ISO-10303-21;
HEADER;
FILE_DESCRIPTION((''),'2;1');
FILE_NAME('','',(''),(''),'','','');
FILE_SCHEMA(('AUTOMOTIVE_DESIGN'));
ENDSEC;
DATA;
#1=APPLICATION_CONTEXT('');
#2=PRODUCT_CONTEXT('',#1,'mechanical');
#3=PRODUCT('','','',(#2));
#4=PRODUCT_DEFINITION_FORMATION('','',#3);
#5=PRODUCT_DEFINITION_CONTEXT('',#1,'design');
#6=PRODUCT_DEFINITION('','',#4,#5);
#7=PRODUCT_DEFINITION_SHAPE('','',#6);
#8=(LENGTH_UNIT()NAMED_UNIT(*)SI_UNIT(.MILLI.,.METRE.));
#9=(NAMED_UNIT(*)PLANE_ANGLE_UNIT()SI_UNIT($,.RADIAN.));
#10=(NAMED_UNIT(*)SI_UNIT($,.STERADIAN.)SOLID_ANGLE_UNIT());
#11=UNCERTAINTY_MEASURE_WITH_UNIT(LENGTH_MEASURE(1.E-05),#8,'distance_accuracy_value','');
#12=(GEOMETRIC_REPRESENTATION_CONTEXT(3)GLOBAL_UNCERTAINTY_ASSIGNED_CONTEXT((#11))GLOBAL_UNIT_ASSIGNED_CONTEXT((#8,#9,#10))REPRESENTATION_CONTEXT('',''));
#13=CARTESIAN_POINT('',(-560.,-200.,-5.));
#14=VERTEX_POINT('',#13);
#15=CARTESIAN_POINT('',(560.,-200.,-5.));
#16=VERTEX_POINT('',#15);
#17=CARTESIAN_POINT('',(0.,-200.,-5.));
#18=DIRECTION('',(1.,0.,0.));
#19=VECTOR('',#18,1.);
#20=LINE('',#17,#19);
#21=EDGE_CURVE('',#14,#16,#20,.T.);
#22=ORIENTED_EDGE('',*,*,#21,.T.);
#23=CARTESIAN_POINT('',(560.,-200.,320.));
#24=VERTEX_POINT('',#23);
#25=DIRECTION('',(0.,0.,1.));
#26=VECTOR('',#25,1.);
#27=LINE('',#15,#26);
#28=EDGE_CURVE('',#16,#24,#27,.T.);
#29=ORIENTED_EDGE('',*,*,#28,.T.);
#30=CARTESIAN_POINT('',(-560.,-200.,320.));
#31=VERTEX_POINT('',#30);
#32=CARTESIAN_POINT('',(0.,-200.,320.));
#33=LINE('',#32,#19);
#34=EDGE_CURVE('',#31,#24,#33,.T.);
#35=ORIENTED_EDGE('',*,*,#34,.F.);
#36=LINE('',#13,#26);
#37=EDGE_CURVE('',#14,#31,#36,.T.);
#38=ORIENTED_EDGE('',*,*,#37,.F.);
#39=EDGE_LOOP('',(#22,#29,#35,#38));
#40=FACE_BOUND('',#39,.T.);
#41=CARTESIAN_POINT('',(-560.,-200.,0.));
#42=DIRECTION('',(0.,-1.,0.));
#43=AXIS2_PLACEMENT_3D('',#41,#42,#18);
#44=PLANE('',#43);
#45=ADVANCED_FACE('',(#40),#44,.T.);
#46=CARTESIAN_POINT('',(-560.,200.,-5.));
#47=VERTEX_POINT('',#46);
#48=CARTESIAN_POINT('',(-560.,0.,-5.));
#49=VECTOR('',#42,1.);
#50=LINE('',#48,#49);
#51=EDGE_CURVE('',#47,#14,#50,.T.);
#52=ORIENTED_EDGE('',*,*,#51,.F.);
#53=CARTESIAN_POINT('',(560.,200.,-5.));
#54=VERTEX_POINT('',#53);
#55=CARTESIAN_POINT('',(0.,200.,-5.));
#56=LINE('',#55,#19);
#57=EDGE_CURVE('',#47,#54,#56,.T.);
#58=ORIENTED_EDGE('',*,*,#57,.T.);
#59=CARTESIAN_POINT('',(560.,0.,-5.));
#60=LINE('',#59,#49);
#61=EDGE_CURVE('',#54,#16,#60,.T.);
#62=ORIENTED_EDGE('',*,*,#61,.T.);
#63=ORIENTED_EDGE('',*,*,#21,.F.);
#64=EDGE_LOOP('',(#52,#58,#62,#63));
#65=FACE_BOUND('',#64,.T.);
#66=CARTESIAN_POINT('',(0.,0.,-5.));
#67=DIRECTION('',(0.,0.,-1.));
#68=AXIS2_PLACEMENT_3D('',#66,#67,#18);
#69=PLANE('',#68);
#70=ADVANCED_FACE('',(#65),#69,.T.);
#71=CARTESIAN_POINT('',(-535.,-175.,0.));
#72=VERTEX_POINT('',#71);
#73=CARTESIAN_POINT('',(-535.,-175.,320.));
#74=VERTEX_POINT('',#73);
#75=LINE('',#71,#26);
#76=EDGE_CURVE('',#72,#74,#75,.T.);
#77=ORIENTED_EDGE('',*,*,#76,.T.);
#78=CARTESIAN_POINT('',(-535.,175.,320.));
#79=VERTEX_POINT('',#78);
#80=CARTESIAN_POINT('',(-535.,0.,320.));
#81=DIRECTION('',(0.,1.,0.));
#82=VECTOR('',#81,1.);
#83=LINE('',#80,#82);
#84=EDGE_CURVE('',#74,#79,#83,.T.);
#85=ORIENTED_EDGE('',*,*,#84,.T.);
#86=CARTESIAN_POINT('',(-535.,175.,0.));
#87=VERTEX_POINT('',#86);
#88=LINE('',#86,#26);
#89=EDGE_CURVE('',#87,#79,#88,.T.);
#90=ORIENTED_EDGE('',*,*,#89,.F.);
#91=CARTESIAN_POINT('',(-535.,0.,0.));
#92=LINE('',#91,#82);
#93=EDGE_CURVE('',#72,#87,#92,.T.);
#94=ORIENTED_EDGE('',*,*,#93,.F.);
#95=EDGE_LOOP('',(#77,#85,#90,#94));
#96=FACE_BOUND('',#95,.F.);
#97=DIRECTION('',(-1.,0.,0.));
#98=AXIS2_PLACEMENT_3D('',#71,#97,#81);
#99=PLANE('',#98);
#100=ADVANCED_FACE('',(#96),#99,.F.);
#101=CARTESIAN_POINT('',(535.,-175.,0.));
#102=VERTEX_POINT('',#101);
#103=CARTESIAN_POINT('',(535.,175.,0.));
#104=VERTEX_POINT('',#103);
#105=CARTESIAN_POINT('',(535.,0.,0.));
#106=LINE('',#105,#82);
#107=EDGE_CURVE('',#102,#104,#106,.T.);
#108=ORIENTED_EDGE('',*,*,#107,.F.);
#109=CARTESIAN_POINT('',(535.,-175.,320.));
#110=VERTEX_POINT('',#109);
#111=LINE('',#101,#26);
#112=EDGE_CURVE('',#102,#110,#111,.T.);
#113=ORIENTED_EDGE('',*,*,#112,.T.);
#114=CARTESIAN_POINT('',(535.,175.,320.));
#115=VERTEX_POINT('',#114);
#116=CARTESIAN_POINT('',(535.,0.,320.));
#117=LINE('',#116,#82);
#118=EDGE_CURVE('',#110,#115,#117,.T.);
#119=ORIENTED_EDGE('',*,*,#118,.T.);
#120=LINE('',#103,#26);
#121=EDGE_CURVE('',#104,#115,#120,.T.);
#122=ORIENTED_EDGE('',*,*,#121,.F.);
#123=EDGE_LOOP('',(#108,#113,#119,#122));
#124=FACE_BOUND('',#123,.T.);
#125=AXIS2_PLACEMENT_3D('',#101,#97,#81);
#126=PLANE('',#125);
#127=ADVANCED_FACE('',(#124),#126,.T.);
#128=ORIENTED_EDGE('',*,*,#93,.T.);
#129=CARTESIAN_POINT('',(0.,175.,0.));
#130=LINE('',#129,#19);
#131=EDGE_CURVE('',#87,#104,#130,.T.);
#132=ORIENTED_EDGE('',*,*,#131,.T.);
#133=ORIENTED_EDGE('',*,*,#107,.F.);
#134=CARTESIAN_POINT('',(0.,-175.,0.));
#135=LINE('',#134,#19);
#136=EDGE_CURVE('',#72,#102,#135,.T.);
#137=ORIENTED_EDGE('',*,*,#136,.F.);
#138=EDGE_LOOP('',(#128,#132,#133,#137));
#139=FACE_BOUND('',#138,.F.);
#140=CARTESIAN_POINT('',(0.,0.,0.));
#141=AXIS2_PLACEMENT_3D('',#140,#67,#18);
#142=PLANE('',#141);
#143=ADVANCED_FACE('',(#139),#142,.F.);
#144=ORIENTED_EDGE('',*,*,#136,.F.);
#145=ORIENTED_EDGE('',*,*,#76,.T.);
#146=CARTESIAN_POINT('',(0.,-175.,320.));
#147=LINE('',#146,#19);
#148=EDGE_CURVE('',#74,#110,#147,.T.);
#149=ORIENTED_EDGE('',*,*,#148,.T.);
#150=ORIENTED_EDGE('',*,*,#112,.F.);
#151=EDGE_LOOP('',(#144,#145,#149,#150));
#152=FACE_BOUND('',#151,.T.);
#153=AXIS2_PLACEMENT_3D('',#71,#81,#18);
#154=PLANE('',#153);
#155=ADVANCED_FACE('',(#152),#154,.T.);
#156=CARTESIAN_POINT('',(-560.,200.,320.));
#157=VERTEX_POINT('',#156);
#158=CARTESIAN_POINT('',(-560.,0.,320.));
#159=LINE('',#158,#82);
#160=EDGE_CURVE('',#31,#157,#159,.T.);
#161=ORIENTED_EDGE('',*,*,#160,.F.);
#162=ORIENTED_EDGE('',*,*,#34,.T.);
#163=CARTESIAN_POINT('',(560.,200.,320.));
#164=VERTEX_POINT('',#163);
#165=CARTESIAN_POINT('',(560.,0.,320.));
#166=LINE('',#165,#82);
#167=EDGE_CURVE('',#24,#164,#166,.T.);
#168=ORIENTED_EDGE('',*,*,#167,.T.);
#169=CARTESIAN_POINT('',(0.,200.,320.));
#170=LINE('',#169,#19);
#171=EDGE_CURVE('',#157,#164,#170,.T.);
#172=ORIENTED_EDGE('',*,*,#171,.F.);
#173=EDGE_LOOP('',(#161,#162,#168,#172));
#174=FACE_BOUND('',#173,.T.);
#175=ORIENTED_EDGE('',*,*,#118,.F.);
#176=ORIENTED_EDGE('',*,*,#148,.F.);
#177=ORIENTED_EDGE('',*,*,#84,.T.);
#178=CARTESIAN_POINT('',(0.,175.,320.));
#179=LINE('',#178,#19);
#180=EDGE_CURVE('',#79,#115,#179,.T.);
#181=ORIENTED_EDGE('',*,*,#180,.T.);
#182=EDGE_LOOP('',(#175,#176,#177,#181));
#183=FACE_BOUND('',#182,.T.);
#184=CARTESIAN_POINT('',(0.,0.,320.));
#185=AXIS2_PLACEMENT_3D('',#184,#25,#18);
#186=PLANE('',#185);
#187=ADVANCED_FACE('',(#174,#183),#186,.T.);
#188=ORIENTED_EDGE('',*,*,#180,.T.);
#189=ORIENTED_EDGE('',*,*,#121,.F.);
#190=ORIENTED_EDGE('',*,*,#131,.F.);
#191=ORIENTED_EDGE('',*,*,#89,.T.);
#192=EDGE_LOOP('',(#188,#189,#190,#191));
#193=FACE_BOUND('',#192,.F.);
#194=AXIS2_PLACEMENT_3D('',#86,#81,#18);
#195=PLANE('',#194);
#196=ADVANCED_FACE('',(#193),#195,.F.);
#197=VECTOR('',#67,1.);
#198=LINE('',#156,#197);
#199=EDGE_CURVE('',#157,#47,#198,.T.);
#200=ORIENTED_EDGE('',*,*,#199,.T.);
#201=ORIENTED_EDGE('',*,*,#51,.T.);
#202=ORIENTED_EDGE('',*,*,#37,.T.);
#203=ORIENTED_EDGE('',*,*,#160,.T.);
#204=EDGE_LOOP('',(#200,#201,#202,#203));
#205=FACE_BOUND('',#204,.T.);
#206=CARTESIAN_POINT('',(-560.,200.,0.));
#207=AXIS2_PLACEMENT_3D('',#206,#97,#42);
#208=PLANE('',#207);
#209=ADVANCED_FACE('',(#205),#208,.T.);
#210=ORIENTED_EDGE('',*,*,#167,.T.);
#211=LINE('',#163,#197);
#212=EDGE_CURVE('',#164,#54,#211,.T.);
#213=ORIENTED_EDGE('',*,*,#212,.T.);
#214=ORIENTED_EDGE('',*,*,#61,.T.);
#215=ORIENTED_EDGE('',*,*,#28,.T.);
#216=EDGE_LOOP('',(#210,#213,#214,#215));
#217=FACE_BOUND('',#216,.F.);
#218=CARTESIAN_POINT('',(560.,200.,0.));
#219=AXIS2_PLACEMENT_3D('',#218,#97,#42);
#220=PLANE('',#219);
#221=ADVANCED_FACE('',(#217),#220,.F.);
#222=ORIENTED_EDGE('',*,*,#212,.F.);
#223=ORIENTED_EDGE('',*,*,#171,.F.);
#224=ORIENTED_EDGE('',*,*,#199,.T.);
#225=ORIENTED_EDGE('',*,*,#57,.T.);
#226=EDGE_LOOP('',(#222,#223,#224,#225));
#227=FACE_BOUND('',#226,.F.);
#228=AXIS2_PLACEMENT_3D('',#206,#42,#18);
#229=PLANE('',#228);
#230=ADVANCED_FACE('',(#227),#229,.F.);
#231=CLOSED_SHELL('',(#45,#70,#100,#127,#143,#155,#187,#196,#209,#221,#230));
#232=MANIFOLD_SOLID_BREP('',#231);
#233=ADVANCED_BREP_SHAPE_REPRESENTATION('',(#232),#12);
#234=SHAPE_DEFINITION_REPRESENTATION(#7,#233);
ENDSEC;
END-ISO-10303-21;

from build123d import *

# Parameters (mm, degrees)
F0_W     = 1120
F0_H     = 400
F0_W_2   = 1070
F0_H_2   = 350
F1_DEPTH = 320
F2_W     = 1120
F2_H     = 400
F2_W_2   = 1070
F2_H_2   = 350
F3_DEPTH = 5


with BuildPart() as f1:
    # F0 (on Top) → F1 (new body)
    with BuildSketch(Plane.XY):
        Rectangle(F0_W, F0_H)
        Rectangle(F0_W_2, F0_H_2, mode=Mode.SUBTRACT)
    extrude(amount=F1_DEPTH)

    # F2 (on face) → F3 (join)
    with BuildSketch(Plane(origin=(0, 0, 0), x_dir=(1, 0, 0), z_dir=(0, 0, -1))):
        Rectangle(F2_W, F2_H)
        Rectangle(F2_W_2, F2_H_2, mode=Mode.SUBTRACT)
        Rectangle(F2_W_2, F2_H_2)
    extrude(amount=F3_DEPTH)


solid = f1.part
